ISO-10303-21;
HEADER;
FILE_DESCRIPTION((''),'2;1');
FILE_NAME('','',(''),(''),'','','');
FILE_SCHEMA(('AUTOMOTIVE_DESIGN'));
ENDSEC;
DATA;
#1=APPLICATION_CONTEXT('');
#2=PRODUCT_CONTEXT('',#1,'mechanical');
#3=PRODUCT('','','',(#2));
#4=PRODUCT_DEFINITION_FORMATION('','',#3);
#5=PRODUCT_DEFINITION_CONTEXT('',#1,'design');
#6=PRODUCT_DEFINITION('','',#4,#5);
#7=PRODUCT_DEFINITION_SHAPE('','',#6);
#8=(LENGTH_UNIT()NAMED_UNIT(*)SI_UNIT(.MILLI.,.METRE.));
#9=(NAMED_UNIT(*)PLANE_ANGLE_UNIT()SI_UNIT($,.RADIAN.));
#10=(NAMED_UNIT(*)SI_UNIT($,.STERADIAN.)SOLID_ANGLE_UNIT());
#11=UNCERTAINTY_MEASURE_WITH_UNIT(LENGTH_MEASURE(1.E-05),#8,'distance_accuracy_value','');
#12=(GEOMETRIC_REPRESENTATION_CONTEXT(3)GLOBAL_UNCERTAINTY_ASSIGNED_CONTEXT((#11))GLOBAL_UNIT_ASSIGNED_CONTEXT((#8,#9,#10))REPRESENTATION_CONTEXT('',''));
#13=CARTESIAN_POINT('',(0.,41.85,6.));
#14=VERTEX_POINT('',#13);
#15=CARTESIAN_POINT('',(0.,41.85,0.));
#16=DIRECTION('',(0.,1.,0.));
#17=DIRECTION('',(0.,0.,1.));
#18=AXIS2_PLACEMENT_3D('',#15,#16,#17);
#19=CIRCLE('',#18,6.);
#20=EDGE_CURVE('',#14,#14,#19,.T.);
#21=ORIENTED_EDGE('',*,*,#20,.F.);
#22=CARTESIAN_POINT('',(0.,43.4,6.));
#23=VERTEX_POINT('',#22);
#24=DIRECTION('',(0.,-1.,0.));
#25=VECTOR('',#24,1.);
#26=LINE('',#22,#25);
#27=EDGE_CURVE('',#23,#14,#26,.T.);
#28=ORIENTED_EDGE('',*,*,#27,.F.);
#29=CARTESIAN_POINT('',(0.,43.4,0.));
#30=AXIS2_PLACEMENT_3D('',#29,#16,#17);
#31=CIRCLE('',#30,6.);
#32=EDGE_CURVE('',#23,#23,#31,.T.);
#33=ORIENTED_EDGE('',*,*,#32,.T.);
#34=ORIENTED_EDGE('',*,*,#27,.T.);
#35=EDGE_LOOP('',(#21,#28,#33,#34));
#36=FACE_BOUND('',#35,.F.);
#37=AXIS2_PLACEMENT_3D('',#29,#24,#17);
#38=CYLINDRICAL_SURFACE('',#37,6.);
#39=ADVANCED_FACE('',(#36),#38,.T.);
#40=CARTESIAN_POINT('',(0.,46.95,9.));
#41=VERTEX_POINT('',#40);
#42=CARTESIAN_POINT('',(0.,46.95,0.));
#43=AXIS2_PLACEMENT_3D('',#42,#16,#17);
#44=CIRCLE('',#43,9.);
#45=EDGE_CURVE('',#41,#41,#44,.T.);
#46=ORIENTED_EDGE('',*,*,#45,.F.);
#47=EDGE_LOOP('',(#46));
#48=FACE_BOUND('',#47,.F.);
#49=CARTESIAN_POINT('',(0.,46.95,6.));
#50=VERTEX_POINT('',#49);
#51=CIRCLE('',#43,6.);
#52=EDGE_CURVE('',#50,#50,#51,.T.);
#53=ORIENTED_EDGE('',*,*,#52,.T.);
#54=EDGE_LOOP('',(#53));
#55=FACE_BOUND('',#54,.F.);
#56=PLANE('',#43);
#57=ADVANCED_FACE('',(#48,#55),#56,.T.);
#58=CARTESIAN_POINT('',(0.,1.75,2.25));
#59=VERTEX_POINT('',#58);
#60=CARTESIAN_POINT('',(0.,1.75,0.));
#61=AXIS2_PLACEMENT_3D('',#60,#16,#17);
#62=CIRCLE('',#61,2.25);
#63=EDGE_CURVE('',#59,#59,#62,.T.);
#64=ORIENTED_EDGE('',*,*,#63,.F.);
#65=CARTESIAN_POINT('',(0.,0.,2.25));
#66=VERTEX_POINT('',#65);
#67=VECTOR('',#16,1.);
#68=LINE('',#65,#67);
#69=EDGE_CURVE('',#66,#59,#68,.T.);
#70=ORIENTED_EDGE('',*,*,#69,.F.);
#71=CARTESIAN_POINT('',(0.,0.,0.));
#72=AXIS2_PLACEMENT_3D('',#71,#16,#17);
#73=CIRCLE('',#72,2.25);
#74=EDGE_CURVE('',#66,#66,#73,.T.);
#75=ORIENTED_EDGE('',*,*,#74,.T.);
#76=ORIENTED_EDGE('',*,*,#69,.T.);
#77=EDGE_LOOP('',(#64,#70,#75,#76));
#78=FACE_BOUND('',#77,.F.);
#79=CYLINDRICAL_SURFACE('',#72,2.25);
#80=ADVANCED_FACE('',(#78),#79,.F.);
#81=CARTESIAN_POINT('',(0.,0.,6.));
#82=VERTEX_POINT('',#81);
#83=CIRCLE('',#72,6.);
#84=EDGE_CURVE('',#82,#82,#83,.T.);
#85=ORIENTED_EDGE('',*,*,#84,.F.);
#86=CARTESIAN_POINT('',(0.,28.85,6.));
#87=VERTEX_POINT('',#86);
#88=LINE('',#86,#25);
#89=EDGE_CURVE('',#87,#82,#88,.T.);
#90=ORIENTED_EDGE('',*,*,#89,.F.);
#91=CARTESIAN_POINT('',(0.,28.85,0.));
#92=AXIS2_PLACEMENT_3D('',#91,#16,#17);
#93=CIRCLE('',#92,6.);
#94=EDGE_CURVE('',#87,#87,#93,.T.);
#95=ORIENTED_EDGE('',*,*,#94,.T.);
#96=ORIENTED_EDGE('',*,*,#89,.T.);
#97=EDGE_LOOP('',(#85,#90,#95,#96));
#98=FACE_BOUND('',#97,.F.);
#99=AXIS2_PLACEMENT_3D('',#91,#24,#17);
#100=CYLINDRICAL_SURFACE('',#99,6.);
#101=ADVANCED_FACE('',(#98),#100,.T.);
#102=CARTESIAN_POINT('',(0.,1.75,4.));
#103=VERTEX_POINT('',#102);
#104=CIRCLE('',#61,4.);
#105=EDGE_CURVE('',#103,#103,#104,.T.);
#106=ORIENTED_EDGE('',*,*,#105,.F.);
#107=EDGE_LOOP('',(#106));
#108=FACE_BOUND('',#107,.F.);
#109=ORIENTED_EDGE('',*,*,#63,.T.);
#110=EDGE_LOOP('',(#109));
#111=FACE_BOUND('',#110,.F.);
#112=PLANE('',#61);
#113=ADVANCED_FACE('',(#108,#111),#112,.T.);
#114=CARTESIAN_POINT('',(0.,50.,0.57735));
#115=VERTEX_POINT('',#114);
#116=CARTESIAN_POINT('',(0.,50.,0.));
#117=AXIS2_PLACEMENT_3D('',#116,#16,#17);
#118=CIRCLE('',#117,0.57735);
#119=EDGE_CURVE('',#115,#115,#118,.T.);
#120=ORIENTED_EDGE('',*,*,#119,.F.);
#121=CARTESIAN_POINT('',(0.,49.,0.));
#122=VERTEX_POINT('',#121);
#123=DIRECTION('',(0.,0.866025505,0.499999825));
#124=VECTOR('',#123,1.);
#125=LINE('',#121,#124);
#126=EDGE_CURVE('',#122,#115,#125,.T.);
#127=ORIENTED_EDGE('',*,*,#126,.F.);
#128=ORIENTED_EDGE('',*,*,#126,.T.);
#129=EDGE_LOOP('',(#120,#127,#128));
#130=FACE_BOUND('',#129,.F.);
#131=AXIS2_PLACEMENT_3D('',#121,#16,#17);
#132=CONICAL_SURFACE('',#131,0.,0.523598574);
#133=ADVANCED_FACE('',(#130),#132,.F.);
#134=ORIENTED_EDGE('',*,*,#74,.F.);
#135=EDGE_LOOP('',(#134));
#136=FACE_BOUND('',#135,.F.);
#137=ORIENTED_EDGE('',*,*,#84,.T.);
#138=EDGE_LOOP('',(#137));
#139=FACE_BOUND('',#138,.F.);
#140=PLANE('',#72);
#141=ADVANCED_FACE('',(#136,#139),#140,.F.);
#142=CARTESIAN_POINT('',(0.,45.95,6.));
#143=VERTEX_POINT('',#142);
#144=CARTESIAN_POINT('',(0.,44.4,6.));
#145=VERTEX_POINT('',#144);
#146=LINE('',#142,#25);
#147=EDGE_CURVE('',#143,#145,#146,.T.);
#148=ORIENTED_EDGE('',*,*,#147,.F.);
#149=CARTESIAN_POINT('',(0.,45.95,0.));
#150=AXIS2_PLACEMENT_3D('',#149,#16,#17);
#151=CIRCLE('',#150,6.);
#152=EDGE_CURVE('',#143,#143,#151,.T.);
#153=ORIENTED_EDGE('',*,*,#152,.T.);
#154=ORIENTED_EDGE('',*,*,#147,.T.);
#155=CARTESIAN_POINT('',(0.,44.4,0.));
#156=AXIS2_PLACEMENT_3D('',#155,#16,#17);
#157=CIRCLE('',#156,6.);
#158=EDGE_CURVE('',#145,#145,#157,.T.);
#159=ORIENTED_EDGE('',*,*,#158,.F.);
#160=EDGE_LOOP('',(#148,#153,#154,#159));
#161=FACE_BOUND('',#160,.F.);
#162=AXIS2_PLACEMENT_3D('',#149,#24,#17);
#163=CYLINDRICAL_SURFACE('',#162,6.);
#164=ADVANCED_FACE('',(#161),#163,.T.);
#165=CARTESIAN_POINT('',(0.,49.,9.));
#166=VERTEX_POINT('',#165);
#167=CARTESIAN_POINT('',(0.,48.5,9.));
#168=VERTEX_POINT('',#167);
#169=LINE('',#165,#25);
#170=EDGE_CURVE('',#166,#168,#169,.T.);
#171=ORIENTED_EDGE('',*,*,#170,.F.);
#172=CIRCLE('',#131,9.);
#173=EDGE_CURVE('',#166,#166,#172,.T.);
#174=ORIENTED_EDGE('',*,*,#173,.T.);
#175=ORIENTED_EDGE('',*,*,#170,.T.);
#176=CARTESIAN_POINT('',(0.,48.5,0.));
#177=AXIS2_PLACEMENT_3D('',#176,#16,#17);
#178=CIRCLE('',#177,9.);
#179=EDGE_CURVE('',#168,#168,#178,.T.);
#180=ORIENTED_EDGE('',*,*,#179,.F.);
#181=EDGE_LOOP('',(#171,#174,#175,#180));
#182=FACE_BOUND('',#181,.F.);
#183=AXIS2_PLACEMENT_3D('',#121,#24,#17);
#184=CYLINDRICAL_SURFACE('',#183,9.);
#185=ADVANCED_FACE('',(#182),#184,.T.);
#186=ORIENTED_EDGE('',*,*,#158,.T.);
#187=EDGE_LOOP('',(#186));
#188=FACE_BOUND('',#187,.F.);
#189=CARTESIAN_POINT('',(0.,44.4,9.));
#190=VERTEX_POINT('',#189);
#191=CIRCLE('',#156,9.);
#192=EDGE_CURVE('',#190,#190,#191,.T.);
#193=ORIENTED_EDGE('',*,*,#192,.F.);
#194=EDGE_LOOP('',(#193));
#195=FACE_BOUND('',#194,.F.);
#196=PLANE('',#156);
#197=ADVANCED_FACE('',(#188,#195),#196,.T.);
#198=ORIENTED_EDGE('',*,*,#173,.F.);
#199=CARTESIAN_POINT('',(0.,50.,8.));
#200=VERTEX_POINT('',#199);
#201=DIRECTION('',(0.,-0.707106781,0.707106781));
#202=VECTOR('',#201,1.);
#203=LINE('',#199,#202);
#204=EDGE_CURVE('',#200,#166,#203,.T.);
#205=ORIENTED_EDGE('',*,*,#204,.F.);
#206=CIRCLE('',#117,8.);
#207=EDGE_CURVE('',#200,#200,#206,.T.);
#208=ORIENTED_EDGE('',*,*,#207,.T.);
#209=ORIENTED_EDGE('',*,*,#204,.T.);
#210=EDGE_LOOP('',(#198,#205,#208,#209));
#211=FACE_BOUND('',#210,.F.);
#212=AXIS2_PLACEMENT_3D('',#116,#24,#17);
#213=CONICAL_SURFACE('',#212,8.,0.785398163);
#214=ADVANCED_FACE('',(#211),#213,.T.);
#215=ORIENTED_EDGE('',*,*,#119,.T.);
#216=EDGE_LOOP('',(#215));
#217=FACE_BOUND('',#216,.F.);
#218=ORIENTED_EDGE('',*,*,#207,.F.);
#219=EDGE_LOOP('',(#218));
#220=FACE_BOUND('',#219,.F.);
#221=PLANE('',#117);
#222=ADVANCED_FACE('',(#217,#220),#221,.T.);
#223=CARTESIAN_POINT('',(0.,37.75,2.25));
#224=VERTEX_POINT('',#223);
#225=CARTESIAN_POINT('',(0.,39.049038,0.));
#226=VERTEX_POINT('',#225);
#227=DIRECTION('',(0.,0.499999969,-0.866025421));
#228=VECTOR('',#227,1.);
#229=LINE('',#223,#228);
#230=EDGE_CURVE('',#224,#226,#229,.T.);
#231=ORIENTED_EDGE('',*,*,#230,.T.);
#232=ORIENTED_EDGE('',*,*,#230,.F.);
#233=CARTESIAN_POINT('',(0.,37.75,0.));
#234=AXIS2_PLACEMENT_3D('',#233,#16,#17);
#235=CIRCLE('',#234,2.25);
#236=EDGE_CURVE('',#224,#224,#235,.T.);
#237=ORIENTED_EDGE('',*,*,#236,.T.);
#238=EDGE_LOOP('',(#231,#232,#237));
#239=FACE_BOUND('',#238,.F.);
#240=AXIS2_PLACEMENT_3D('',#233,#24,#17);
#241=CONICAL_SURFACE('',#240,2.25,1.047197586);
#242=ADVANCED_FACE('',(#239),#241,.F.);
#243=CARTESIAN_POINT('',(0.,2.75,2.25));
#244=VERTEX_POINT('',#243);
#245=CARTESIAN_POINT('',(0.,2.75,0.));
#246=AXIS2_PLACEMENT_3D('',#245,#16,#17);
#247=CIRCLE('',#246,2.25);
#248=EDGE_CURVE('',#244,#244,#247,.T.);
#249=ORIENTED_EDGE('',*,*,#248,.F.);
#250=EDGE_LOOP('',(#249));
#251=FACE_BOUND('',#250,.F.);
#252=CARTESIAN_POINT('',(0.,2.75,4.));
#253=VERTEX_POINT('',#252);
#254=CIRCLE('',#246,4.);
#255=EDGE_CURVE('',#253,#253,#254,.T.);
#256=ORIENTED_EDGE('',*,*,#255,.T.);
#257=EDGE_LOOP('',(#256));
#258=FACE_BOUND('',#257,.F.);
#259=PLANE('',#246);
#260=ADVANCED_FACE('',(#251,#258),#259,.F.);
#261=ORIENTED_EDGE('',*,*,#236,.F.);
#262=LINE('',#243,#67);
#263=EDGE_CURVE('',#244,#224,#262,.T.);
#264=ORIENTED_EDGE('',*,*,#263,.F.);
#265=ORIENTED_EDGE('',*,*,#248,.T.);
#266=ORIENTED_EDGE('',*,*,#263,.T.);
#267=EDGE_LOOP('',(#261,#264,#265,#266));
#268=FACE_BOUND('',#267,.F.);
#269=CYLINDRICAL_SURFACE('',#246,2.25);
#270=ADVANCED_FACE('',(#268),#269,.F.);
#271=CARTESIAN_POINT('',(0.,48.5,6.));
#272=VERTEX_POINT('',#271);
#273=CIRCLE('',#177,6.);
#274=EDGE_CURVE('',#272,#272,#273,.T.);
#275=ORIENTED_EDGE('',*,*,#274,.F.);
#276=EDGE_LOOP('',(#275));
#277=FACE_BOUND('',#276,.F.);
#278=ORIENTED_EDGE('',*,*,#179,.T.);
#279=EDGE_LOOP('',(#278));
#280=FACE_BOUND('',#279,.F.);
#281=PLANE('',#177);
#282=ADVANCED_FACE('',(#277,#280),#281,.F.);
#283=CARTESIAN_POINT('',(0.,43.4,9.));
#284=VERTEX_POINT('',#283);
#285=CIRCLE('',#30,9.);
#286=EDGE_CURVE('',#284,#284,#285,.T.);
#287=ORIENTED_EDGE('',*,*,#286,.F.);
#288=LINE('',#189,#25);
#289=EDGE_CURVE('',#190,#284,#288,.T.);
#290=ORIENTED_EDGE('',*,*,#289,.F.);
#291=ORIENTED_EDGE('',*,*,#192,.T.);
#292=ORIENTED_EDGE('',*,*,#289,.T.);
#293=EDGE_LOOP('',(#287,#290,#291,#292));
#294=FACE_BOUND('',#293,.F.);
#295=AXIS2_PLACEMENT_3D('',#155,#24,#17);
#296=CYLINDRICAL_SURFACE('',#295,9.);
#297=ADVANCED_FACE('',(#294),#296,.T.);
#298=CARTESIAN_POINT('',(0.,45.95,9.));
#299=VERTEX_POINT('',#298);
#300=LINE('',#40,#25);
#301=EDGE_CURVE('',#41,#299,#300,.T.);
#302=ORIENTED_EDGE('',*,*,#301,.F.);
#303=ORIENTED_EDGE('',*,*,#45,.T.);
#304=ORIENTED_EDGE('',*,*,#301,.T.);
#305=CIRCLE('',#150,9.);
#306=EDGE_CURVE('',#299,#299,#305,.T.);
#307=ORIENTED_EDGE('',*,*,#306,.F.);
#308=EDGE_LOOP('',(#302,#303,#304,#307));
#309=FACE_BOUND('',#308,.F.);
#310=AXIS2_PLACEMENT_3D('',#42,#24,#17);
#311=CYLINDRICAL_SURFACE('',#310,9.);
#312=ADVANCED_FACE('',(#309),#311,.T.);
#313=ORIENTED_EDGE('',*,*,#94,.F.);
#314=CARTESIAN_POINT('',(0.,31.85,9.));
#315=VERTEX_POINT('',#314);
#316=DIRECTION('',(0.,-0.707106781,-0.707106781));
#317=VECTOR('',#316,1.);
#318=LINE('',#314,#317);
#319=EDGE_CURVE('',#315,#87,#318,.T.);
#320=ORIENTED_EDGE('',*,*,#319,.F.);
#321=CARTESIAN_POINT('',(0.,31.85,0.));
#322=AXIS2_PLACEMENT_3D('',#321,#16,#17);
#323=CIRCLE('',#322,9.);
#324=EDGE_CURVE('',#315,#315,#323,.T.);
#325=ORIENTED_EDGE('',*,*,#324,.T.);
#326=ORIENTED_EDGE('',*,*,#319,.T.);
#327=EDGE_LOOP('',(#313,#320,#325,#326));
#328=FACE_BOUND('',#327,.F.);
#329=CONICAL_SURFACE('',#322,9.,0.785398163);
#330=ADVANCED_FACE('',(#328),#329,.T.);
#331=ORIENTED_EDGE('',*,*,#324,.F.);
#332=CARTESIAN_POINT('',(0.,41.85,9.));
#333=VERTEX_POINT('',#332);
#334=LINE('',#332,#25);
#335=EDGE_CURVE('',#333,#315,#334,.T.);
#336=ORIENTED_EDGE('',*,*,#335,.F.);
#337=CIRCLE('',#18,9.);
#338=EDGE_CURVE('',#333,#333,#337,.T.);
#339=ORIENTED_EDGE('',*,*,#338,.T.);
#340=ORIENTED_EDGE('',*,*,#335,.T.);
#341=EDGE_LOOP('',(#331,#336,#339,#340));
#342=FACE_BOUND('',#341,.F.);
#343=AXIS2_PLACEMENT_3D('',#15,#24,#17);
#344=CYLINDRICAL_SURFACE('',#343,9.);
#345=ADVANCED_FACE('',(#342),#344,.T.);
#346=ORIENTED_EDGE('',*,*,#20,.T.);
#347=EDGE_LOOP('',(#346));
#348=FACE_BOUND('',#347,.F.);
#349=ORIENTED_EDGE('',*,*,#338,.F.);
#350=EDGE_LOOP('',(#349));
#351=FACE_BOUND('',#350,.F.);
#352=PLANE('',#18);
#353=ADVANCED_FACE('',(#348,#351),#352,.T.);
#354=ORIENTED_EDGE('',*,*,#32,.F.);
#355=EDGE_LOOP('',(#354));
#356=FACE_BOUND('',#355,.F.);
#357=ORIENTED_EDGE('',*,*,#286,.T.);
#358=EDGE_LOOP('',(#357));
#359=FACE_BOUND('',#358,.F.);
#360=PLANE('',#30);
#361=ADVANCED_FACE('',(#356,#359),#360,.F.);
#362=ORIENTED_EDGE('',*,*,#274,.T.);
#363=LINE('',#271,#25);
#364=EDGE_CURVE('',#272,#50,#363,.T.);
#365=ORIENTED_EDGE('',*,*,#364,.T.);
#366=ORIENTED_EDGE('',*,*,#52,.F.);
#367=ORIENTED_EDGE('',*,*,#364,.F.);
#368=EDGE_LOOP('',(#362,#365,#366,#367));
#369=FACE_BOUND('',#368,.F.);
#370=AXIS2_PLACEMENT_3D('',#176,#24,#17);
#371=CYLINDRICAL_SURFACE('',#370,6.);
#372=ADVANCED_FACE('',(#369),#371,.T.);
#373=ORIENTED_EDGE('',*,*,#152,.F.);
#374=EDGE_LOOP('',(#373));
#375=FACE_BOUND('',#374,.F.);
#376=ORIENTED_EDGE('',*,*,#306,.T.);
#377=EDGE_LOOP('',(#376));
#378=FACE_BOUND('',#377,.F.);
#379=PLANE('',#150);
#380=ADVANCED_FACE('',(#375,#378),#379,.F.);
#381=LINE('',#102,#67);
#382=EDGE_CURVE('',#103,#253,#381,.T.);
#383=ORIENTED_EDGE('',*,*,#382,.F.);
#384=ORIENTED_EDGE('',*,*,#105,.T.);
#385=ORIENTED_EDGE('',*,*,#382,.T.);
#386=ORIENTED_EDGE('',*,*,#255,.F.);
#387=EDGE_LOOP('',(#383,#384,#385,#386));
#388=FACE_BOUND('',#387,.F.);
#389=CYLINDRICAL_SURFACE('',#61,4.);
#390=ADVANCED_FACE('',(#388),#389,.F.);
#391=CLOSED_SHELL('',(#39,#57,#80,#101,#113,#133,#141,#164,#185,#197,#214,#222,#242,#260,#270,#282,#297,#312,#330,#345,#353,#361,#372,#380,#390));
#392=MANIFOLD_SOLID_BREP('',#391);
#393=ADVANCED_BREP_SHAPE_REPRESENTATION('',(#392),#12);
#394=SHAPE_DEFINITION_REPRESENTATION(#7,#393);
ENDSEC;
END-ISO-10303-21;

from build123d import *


with BuildPart() as f1:
    # F0 (on Right) → F1 (revolve)
    with BuildSketch(Plane.YZ):
        Polygon((28.85, 6), (0, 6), (0, 2.25), (1.75, 2.25), (1.75, 4), (2.75, 4), (2.75, 2.25), (37.75, 2.25), (39.049038, 0), (49, 0), (50, 0.57735), (50, 8), (49, 9), (48.5, 9), (48.5, 6), (46.95, 6), (46.95, 9), (45.95, 9), (45.95, 6), (44.4, 6), (44.4, 9), (43.4, 9), (43.4, 6), (41.85, 6), (41.85, 9), (31.85, 9), align=None)
    revolve(axis=Axis((0, 25.938479, 0), (0, 1, 0)))


solid = f1.part
